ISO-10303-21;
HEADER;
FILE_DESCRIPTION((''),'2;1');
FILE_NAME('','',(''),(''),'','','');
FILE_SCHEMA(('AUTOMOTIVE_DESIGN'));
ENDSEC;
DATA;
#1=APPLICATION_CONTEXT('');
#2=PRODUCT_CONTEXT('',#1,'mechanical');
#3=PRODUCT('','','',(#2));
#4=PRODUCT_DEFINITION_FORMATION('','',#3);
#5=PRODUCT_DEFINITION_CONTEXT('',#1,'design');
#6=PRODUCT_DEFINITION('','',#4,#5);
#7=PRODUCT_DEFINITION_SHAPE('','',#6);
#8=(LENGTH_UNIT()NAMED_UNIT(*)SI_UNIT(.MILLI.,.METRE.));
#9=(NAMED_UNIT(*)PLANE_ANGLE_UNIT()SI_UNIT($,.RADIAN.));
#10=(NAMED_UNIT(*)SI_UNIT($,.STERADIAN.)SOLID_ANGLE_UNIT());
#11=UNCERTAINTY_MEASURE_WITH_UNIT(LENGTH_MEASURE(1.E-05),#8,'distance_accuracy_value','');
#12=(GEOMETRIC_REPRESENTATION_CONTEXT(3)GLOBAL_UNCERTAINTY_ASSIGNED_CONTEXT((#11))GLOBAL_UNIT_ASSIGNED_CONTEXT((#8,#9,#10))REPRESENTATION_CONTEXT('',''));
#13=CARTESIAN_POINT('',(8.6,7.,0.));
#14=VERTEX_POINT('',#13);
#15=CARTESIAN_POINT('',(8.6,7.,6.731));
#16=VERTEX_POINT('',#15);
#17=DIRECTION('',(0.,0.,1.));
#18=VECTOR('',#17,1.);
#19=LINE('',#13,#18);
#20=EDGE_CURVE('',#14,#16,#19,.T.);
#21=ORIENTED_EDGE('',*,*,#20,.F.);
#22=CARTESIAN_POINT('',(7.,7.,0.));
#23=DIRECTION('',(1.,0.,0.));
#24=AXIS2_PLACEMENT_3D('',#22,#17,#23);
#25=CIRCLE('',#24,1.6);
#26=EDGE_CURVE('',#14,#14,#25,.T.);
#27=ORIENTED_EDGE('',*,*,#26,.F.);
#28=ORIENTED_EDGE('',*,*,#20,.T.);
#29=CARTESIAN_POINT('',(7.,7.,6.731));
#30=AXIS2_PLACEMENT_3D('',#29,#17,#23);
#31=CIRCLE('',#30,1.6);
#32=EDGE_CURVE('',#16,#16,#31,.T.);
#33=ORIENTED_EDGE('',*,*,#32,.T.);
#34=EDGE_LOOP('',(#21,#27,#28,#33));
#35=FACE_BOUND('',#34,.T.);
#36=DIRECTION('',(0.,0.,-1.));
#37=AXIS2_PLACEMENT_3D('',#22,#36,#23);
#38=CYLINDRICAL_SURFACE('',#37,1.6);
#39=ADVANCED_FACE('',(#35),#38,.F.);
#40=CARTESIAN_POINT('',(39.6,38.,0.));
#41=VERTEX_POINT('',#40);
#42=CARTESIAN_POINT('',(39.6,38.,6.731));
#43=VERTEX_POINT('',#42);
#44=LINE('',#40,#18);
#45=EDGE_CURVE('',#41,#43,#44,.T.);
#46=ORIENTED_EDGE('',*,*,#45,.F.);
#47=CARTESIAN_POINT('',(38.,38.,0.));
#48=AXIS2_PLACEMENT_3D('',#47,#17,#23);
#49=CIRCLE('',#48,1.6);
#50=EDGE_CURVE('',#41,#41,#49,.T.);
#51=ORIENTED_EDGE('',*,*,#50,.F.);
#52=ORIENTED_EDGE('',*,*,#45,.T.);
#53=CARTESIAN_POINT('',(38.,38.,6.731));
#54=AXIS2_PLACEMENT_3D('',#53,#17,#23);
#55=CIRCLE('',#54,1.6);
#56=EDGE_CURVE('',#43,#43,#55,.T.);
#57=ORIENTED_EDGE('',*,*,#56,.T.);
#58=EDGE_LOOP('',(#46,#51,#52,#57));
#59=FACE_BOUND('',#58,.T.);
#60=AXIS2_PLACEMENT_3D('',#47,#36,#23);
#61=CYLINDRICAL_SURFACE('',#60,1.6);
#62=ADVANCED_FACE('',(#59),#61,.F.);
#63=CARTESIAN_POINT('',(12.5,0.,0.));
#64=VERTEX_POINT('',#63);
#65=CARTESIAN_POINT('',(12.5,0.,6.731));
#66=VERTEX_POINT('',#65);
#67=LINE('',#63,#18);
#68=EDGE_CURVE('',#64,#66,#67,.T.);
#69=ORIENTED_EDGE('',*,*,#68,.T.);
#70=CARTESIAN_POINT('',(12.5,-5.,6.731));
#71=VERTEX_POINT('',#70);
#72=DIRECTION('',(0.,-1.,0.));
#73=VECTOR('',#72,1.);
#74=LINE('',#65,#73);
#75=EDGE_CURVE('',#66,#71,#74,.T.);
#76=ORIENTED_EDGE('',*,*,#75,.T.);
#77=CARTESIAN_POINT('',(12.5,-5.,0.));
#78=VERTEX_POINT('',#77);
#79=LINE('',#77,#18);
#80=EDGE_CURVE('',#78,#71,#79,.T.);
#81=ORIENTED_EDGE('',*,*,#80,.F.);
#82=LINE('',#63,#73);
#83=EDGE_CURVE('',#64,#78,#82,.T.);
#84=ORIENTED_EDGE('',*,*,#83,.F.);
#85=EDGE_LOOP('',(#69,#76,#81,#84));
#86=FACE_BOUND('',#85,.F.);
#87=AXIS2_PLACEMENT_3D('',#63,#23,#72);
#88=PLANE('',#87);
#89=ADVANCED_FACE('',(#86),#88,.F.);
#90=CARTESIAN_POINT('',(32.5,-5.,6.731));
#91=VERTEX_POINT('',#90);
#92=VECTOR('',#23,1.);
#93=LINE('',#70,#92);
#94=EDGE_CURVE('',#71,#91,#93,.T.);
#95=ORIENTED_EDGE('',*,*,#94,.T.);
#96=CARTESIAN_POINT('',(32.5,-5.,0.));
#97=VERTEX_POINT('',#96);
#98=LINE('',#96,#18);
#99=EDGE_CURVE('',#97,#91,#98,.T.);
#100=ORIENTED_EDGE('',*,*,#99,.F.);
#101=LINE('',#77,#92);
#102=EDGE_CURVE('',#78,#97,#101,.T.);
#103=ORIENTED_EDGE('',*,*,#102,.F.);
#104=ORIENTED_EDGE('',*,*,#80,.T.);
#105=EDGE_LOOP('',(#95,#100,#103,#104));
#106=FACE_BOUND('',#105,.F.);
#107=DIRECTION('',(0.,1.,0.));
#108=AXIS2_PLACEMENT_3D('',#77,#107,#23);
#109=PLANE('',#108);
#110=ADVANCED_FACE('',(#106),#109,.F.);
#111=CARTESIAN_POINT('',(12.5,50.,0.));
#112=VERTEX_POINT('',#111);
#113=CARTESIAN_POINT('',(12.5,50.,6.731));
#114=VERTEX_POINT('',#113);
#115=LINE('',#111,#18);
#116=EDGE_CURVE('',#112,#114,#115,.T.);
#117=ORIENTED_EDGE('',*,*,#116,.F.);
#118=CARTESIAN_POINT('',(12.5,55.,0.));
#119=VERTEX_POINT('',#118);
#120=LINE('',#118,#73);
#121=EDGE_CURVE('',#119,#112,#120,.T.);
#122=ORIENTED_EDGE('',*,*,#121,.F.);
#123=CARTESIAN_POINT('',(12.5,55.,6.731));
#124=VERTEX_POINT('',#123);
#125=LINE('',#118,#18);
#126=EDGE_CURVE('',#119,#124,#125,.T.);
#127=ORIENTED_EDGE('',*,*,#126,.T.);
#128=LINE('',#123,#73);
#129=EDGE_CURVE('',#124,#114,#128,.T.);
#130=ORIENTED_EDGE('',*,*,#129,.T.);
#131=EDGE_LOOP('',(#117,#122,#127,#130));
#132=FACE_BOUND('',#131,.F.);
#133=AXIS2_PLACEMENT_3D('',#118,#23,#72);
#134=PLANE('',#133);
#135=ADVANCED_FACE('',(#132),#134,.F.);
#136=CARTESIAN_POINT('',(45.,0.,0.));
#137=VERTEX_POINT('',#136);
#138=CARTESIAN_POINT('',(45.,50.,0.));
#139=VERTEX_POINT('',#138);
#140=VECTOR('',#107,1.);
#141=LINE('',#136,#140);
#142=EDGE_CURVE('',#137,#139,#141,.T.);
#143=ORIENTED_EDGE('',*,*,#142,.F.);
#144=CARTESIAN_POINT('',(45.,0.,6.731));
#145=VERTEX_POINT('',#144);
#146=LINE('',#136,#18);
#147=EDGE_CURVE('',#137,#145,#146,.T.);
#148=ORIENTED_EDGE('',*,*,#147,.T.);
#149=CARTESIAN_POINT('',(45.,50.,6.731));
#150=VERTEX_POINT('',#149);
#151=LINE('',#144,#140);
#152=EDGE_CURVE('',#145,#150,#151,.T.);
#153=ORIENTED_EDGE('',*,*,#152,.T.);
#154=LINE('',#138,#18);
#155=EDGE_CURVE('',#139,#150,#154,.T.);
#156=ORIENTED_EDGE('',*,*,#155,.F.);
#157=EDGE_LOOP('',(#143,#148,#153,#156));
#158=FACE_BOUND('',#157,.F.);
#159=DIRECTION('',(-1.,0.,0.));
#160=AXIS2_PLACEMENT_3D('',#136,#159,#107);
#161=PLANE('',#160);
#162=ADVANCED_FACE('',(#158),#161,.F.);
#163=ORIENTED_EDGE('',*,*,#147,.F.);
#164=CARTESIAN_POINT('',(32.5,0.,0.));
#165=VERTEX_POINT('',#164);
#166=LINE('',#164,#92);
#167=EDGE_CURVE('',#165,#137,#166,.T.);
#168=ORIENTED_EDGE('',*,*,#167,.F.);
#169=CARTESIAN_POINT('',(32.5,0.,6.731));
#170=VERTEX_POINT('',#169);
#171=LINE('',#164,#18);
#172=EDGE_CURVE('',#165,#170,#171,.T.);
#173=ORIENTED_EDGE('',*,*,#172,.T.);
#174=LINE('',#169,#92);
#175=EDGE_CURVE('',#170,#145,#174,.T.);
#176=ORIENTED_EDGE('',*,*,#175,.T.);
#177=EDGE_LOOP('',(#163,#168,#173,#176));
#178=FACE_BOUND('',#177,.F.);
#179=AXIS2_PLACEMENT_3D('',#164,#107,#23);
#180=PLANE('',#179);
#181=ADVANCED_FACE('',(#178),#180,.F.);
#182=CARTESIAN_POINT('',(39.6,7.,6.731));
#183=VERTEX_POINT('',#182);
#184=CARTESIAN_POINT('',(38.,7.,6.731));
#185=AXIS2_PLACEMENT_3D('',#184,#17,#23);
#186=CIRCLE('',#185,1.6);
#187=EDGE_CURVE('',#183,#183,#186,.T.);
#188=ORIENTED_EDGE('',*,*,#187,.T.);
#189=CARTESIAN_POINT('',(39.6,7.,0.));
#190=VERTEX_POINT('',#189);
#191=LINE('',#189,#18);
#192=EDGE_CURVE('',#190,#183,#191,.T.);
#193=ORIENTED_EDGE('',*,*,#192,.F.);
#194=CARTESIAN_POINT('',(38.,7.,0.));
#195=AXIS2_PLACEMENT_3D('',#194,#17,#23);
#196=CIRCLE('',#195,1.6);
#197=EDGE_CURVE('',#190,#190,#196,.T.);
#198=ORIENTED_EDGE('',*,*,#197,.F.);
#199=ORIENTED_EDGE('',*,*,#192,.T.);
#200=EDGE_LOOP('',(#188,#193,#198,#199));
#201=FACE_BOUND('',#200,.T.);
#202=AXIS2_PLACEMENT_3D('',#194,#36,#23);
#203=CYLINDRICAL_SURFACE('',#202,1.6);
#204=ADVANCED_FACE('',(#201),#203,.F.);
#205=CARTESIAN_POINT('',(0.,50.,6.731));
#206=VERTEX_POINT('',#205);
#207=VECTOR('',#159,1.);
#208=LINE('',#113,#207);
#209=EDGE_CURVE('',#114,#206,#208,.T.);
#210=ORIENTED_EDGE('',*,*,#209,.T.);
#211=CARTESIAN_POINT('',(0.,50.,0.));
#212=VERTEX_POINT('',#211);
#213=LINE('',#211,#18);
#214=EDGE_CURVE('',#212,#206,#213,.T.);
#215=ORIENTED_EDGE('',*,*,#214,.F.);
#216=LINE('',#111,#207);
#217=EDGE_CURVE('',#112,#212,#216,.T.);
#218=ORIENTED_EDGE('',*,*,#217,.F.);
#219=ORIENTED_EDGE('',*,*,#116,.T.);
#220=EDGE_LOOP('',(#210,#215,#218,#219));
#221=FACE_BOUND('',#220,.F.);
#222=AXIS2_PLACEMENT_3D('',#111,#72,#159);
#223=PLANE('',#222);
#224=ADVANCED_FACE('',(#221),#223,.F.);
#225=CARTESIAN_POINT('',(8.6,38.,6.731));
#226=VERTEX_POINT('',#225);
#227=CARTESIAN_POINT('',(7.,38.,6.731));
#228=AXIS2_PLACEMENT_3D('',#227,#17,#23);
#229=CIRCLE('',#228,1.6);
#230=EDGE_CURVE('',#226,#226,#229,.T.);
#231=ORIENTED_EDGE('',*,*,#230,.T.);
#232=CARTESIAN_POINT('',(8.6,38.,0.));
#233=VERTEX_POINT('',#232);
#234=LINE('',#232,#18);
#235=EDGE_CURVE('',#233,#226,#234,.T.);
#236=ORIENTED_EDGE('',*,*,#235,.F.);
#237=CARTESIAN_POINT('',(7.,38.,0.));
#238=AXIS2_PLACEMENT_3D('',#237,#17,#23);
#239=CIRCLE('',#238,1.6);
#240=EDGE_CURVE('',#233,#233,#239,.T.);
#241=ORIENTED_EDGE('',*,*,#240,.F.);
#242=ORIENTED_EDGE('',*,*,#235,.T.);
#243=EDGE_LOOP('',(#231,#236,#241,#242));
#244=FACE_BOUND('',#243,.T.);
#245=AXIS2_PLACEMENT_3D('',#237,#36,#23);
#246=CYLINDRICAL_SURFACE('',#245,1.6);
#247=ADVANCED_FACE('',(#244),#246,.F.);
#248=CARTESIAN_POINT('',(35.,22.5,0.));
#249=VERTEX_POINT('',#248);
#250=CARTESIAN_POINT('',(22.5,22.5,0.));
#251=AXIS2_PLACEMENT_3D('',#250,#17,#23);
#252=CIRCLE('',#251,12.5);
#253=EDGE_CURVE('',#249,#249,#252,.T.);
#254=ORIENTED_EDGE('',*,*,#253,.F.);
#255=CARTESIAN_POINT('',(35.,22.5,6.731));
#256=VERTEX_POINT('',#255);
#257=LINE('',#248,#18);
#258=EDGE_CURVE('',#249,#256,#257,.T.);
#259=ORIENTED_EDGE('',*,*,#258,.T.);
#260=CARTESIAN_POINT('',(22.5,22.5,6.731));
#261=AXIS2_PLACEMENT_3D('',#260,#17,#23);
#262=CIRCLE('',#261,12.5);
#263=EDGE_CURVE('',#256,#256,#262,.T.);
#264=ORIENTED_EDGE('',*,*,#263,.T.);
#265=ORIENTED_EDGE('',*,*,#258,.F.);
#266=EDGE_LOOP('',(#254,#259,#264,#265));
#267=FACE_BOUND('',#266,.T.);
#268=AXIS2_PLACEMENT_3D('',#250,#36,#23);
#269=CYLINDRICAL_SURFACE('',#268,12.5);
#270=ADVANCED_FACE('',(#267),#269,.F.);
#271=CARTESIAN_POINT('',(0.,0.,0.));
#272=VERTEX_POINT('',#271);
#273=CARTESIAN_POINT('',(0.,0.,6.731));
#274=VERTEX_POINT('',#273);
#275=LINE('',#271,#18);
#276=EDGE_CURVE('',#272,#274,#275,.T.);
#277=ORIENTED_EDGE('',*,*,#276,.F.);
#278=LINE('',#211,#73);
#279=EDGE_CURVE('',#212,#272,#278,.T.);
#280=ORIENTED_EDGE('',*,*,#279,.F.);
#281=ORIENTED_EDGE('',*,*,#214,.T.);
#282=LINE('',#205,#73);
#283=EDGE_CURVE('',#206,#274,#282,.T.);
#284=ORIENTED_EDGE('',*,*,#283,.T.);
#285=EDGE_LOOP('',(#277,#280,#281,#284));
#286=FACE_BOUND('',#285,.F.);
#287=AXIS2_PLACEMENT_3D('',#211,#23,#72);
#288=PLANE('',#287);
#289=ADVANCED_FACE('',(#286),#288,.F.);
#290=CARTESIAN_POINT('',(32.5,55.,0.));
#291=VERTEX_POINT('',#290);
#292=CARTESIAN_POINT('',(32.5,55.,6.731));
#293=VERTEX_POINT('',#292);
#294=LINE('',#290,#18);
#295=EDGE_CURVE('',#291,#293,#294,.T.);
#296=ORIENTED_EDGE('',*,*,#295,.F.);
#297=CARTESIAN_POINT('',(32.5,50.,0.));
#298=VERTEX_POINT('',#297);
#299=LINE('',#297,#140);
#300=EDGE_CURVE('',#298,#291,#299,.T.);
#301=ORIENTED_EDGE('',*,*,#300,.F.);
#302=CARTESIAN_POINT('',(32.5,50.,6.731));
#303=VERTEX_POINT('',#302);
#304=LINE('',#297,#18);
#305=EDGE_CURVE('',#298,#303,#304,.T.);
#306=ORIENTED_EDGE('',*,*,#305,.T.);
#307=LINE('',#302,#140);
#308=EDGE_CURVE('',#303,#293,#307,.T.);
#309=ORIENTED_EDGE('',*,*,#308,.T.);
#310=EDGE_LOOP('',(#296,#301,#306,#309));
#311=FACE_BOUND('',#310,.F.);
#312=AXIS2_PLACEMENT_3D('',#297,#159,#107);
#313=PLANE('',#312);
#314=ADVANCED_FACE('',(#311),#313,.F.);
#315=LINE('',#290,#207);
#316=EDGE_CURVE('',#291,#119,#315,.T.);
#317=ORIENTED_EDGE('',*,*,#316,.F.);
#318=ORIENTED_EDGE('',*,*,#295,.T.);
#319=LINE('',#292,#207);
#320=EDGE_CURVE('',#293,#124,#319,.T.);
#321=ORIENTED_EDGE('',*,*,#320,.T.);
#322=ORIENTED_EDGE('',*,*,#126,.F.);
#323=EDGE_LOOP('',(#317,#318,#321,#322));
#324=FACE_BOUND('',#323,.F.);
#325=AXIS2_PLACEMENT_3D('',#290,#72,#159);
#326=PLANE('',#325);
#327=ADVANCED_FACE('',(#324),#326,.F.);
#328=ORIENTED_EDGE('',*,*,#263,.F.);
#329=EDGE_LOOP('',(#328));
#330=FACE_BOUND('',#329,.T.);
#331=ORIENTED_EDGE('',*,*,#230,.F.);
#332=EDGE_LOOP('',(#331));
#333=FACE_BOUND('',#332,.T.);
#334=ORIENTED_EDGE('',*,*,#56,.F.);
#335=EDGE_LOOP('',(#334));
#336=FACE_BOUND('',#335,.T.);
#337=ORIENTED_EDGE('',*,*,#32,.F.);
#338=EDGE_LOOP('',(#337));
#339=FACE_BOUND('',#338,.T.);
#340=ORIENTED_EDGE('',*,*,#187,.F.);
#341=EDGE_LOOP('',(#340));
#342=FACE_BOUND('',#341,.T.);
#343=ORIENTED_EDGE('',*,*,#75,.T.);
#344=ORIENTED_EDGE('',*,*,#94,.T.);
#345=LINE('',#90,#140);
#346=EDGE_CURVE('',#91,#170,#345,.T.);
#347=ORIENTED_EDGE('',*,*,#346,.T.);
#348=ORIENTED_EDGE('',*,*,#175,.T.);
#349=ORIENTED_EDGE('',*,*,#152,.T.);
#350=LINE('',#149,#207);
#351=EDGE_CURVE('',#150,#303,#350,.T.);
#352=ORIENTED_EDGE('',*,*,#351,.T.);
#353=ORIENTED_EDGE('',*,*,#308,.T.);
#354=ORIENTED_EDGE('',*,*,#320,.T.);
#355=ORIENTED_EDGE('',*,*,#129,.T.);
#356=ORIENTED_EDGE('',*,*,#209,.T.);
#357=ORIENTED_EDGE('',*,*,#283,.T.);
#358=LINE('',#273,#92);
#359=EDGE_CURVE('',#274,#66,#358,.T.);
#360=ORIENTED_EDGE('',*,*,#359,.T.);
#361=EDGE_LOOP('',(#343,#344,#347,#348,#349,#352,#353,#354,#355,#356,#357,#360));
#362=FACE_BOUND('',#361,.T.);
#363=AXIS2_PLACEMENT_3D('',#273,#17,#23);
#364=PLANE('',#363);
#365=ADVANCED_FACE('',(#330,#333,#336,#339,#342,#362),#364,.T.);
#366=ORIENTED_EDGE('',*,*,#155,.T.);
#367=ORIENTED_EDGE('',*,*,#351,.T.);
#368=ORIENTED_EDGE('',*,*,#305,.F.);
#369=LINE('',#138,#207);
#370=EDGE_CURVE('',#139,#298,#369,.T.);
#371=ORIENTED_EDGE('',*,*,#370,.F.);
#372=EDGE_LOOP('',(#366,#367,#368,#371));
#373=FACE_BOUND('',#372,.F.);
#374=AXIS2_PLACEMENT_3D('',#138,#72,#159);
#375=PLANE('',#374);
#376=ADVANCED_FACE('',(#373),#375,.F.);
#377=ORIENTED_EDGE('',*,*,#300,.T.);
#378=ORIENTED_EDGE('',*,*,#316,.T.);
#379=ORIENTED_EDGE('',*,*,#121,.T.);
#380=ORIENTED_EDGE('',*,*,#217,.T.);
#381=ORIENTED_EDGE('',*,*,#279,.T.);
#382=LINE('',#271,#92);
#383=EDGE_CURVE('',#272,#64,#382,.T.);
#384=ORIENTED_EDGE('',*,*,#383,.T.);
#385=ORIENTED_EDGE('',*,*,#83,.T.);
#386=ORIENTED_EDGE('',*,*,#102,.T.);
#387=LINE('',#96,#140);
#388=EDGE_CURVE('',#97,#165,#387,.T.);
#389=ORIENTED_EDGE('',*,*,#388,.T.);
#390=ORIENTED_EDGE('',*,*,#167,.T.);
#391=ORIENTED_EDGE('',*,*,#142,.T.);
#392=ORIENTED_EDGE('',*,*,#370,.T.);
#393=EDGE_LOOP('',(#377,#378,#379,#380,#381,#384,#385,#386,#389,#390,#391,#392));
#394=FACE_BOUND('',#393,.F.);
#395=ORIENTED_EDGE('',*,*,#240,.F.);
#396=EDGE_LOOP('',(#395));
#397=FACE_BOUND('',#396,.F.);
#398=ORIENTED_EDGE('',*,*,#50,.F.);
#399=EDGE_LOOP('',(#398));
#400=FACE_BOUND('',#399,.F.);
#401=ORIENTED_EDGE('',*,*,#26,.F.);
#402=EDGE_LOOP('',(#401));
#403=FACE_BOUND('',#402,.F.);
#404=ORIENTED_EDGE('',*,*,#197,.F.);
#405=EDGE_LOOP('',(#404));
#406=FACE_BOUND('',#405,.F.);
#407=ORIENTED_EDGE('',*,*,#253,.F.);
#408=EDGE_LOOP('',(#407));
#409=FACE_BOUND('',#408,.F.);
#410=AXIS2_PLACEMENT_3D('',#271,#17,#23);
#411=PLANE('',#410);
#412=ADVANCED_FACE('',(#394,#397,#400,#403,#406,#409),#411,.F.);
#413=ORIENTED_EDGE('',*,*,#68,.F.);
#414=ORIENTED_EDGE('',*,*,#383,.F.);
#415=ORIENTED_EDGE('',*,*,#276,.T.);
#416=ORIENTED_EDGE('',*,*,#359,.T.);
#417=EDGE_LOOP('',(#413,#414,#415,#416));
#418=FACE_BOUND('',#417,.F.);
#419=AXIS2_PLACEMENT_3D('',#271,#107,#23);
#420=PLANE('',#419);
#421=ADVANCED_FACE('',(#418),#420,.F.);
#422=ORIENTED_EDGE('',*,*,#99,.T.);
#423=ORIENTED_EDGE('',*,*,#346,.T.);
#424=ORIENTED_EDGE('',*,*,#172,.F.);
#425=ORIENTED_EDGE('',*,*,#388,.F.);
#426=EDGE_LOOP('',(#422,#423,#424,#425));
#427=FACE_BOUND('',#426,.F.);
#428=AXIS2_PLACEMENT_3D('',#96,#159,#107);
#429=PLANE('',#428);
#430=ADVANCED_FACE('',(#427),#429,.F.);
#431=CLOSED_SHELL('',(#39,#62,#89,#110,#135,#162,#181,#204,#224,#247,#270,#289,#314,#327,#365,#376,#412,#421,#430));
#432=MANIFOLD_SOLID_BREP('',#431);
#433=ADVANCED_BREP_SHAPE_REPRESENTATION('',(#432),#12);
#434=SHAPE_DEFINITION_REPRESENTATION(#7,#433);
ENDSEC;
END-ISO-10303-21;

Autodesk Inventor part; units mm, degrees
ref_plane "YZ Plane" through (0, 0, 0) normal (1, 0, 0) x (0, 1, 0)
ref_plane "XZ Plane" through (0, 0, 0) normal (0, 1, 0) x (-1, 0, 0)
ref_plane "XY Plane" through (0, 0, 0) normal (0, 0, 1) x (1, 0, 0)
sketch "Sketch1" plane through (0, 0, 0) normal (0, 0, 1) x (1, 0, 0)
  line L0 (0, 0) -> (12.5, 0)
  line L1 (12.5, 0) -> (12.5, -5)
  line L2 (12.5, -5) -> (32.5, -5)
  line L3 (32.5, -5) -> (32.5, 0)
  line L4 (32.5, 0) -> (45, 0)
  line L5 (45, 0) -> (45, 50)
  line L6 (45, 50) -> (32.5, 50)
  line L7 (32.5, 50) -> (32.5, 55)
  line L8 (32.5, 55) -> (12.5, 55)
  line L9 (12.5, 55) -> (12.5, 50)
  line L10 (12.5, 50) -> (0, 50)
  line L11 (0, 50) -> (0, 0)
  circle A0 centre (22.5, 22.5) radius 12.5
  circle A1 centre (7, 38) radius 1.6
  circle A2 centre (38, 38) radius 1.6
  circle A3 centre (38, 7) radius 1.6
  circle A4 centre (7, 7) radius 1.6
  point P0 (22.5, 55)
  dimension "d0" = 20
  dimension "d1" = 50
  dimension "d2" = 45
  dimension "d3" = 5
  dimension "d4" = 25
  dimension "d5" = 3.2
  dimension "d6" = 31
  dimension "d7" = 31
  dimension "d8" = 15.5
  dimension "d9" = 15.5
  dimension "d12" = 22.5
extrude "Extrusion1" add sketch "Sketch1" along normal blind 6.731
equation "\"d7\" = d6"
equation "\"d8\" = 0.5 * d6"
equation "\"d9\" = 0.5 * d6"
equation "\"d10\" = THICKB"
equation "\"THICKA\" = 3.175"
equation "\"THICKB\" = 6.731"
equation "\"THICKC\" = 12.7"
equation "\"BALLDIA\" = 12"
equation "\"MAGDIA\" = 9.5"
equation "\"THICKPLY\" = 5"
properties part number "Frame_Lower_Plate_Motor"
